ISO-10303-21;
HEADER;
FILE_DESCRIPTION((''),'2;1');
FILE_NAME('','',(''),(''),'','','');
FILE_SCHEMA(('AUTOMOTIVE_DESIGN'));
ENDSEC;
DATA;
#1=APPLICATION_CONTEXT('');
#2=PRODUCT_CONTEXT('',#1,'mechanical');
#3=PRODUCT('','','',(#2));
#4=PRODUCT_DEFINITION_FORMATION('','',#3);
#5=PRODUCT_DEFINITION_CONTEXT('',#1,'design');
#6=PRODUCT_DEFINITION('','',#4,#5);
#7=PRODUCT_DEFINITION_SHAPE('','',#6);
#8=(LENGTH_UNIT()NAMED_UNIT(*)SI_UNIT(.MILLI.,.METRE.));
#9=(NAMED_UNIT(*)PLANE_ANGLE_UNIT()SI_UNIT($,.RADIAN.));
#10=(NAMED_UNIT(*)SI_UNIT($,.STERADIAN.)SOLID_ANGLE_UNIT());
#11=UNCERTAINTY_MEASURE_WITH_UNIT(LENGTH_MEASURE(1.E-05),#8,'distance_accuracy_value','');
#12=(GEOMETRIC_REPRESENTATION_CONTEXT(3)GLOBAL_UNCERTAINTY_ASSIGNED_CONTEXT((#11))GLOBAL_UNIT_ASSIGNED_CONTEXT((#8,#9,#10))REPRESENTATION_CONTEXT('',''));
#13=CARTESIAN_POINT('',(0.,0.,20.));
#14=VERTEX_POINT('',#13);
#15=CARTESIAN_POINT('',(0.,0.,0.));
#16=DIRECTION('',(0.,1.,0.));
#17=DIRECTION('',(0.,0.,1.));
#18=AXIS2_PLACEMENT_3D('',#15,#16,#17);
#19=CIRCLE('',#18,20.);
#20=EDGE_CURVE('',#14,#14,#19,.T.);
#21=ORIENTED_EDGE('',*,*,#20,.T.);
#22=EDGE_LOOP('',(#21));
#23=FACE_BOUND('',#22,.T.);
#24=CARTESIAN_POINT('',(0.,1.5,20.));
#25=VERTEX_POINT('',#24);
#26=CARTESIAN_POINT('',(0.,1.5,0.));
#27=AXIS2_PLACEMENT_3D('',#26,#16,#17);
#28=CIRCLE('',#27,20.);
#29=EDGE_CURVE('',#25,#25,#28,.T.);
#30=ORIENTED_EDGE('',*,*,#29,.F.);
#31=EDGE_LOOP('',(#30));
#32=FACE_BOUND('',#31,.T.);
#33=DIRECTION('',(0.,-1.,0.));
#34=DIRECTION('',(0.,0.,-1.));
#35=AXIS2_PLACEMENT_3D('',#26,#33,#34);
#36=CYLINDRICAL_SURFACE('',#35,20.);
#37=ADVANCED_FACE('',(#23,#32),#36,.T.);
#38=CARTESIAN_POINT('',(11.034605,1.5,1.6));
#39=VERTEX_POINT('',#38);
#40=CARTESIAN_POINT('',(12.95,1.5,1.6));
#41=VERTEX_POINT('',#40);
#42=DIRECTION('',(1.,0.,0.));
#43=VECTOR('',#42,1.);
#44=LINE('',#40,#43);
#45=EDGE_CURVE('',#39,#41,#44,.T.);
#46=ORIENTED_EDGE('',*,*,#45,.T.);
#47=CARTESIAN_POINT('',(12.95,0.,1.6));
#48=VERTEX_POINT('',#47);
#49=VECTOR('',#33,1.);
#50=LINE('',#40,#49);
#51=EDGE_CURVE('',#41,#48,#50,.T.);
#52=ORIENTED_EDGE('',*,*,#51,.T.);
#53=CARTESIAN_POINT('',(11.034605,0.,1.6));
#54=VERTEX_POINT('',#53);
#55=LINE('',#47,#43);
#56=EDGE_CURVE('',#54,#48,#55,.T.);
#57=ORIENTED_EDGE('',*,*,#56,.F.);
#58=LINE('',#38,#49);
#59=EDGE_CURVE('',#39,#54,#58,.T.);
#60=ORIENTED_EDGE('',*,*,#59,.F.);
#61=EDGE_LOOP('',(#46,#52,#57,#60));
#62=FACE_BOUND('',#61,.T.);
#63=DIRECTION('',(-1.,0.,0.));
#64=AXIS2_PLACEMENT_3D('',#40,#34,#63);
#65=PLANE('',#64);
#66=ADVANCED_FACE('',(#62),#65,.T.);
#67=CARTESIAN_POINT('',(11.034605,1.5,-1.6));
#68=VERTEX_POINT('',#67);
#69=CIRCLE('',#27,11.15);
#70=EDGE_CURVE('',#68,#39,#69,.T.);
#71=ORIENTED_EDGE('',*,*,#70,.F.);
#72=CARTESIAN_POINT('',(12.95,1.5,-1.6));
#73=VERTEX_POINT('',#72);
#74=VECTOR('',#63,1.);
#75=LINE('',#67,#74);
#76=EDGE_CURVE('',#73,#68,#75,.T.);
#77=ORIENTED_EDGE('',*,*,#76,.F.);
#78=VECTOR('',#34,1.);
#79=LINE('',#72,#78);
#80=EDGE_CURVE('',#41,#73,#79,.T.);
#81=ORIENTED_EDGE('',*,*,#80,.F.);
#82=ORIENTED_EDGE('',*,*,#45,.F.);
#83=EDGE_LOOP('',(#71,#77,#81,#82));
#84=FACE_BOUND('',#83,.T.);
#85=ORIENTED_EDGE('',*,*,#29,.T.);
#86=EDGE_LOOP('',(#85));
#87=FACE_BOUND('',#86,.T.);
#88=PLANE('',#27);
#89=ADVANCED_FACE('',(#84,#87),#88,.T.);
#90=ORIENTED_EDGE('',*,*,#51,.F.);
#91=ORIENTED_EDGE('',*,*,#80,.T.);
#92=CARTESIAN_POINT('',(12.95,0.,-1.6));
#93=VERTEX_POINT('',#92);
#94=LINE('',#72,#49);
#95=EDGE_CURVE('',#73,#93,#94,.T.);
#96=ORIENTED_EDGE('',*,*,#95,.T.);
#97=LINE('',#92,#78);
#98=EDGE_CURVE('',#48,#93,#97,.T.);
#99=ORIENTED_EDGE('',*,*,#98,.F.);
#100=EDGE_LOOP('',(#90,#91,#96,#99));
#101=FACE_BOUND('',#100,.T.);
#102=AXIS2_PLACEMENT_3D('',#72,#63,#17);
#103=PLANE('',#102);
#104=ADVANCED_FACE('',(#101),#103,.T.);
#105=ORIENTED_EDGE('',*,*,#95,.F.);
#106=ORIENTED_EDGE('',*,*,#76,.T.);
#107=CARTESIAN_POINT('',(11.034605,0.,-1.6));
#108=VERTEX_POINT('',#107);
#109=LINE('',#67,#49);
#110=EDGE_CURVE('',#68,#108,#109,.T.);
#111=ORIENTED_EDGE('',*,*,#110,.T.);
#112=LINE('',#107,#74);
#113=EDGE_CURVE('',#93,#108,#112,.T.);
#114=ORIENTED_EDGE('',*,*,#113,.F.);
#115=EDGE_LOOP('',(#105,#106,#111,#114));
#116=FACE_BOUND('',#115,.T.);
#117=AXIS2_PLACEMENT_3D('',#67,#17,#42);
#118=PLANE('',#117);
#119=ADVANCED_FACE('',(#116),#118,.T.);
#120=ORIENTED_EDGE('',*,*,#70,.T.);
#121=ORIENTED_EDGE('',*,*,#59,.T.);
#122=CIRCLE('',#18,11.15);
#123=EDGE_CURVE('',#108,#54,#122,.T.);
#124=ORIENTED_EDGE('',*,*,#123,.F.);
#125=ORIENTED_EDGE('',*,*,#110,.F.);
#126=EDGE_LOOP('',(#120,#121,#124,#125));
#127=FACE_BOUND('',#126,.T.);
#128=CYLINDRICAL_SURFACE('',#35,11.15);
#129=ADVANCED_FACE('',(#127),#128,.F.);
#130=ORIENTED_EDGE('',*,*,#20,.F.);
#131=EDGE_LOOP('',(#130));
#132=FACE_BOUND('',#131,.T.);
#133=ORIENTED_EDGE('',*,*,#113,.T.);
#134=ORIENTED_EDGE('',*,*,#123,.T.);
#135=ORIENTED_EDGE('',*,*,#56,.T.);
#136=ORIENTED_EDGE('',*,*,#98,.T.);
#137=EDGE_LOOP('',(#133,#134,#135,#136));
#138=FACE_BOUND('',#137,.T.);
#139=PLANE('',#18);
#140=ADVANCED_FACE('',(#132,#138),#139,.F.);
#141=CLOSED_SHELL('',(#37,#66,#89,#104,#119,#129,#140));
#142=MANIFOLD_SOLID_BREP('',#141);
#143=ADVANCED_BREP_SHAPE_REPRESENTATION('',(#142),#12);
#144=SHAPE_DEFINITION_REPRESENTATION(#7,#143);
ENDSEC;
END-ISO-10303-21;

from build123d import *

# Parameters (mm, degrees)
SKETCH1_R           = 20
BOSS_EXTRUDE1_DEPTH = 1.5


with BuildPart() as part:
    # Sketch1 → Boss-Extrude1 (new body)
    with BuildSketch(Plane(origin=(0, 0, 0), x_dir=(1, 0, 0), z_dir=(0, 1, 0))):
        Circle(SKETCH1_R)
        with BuildLine():
            Line((11.03460466, 1.6), (12.95, 1.6))
            Line((12.95, 1.6), (12.95, -1.6))
            Line((12.95, -1.6), (11.03460466, -1.6))
            ThreePointArc((11.03460466, -1.6), (-11.15, 0), (11.03460466, 1.6))
        make_face(mode=Mode.SUBTRACT)
    extrude(amount=BOSS_EXTRUDE1_DEPTH)


solid = part.part
